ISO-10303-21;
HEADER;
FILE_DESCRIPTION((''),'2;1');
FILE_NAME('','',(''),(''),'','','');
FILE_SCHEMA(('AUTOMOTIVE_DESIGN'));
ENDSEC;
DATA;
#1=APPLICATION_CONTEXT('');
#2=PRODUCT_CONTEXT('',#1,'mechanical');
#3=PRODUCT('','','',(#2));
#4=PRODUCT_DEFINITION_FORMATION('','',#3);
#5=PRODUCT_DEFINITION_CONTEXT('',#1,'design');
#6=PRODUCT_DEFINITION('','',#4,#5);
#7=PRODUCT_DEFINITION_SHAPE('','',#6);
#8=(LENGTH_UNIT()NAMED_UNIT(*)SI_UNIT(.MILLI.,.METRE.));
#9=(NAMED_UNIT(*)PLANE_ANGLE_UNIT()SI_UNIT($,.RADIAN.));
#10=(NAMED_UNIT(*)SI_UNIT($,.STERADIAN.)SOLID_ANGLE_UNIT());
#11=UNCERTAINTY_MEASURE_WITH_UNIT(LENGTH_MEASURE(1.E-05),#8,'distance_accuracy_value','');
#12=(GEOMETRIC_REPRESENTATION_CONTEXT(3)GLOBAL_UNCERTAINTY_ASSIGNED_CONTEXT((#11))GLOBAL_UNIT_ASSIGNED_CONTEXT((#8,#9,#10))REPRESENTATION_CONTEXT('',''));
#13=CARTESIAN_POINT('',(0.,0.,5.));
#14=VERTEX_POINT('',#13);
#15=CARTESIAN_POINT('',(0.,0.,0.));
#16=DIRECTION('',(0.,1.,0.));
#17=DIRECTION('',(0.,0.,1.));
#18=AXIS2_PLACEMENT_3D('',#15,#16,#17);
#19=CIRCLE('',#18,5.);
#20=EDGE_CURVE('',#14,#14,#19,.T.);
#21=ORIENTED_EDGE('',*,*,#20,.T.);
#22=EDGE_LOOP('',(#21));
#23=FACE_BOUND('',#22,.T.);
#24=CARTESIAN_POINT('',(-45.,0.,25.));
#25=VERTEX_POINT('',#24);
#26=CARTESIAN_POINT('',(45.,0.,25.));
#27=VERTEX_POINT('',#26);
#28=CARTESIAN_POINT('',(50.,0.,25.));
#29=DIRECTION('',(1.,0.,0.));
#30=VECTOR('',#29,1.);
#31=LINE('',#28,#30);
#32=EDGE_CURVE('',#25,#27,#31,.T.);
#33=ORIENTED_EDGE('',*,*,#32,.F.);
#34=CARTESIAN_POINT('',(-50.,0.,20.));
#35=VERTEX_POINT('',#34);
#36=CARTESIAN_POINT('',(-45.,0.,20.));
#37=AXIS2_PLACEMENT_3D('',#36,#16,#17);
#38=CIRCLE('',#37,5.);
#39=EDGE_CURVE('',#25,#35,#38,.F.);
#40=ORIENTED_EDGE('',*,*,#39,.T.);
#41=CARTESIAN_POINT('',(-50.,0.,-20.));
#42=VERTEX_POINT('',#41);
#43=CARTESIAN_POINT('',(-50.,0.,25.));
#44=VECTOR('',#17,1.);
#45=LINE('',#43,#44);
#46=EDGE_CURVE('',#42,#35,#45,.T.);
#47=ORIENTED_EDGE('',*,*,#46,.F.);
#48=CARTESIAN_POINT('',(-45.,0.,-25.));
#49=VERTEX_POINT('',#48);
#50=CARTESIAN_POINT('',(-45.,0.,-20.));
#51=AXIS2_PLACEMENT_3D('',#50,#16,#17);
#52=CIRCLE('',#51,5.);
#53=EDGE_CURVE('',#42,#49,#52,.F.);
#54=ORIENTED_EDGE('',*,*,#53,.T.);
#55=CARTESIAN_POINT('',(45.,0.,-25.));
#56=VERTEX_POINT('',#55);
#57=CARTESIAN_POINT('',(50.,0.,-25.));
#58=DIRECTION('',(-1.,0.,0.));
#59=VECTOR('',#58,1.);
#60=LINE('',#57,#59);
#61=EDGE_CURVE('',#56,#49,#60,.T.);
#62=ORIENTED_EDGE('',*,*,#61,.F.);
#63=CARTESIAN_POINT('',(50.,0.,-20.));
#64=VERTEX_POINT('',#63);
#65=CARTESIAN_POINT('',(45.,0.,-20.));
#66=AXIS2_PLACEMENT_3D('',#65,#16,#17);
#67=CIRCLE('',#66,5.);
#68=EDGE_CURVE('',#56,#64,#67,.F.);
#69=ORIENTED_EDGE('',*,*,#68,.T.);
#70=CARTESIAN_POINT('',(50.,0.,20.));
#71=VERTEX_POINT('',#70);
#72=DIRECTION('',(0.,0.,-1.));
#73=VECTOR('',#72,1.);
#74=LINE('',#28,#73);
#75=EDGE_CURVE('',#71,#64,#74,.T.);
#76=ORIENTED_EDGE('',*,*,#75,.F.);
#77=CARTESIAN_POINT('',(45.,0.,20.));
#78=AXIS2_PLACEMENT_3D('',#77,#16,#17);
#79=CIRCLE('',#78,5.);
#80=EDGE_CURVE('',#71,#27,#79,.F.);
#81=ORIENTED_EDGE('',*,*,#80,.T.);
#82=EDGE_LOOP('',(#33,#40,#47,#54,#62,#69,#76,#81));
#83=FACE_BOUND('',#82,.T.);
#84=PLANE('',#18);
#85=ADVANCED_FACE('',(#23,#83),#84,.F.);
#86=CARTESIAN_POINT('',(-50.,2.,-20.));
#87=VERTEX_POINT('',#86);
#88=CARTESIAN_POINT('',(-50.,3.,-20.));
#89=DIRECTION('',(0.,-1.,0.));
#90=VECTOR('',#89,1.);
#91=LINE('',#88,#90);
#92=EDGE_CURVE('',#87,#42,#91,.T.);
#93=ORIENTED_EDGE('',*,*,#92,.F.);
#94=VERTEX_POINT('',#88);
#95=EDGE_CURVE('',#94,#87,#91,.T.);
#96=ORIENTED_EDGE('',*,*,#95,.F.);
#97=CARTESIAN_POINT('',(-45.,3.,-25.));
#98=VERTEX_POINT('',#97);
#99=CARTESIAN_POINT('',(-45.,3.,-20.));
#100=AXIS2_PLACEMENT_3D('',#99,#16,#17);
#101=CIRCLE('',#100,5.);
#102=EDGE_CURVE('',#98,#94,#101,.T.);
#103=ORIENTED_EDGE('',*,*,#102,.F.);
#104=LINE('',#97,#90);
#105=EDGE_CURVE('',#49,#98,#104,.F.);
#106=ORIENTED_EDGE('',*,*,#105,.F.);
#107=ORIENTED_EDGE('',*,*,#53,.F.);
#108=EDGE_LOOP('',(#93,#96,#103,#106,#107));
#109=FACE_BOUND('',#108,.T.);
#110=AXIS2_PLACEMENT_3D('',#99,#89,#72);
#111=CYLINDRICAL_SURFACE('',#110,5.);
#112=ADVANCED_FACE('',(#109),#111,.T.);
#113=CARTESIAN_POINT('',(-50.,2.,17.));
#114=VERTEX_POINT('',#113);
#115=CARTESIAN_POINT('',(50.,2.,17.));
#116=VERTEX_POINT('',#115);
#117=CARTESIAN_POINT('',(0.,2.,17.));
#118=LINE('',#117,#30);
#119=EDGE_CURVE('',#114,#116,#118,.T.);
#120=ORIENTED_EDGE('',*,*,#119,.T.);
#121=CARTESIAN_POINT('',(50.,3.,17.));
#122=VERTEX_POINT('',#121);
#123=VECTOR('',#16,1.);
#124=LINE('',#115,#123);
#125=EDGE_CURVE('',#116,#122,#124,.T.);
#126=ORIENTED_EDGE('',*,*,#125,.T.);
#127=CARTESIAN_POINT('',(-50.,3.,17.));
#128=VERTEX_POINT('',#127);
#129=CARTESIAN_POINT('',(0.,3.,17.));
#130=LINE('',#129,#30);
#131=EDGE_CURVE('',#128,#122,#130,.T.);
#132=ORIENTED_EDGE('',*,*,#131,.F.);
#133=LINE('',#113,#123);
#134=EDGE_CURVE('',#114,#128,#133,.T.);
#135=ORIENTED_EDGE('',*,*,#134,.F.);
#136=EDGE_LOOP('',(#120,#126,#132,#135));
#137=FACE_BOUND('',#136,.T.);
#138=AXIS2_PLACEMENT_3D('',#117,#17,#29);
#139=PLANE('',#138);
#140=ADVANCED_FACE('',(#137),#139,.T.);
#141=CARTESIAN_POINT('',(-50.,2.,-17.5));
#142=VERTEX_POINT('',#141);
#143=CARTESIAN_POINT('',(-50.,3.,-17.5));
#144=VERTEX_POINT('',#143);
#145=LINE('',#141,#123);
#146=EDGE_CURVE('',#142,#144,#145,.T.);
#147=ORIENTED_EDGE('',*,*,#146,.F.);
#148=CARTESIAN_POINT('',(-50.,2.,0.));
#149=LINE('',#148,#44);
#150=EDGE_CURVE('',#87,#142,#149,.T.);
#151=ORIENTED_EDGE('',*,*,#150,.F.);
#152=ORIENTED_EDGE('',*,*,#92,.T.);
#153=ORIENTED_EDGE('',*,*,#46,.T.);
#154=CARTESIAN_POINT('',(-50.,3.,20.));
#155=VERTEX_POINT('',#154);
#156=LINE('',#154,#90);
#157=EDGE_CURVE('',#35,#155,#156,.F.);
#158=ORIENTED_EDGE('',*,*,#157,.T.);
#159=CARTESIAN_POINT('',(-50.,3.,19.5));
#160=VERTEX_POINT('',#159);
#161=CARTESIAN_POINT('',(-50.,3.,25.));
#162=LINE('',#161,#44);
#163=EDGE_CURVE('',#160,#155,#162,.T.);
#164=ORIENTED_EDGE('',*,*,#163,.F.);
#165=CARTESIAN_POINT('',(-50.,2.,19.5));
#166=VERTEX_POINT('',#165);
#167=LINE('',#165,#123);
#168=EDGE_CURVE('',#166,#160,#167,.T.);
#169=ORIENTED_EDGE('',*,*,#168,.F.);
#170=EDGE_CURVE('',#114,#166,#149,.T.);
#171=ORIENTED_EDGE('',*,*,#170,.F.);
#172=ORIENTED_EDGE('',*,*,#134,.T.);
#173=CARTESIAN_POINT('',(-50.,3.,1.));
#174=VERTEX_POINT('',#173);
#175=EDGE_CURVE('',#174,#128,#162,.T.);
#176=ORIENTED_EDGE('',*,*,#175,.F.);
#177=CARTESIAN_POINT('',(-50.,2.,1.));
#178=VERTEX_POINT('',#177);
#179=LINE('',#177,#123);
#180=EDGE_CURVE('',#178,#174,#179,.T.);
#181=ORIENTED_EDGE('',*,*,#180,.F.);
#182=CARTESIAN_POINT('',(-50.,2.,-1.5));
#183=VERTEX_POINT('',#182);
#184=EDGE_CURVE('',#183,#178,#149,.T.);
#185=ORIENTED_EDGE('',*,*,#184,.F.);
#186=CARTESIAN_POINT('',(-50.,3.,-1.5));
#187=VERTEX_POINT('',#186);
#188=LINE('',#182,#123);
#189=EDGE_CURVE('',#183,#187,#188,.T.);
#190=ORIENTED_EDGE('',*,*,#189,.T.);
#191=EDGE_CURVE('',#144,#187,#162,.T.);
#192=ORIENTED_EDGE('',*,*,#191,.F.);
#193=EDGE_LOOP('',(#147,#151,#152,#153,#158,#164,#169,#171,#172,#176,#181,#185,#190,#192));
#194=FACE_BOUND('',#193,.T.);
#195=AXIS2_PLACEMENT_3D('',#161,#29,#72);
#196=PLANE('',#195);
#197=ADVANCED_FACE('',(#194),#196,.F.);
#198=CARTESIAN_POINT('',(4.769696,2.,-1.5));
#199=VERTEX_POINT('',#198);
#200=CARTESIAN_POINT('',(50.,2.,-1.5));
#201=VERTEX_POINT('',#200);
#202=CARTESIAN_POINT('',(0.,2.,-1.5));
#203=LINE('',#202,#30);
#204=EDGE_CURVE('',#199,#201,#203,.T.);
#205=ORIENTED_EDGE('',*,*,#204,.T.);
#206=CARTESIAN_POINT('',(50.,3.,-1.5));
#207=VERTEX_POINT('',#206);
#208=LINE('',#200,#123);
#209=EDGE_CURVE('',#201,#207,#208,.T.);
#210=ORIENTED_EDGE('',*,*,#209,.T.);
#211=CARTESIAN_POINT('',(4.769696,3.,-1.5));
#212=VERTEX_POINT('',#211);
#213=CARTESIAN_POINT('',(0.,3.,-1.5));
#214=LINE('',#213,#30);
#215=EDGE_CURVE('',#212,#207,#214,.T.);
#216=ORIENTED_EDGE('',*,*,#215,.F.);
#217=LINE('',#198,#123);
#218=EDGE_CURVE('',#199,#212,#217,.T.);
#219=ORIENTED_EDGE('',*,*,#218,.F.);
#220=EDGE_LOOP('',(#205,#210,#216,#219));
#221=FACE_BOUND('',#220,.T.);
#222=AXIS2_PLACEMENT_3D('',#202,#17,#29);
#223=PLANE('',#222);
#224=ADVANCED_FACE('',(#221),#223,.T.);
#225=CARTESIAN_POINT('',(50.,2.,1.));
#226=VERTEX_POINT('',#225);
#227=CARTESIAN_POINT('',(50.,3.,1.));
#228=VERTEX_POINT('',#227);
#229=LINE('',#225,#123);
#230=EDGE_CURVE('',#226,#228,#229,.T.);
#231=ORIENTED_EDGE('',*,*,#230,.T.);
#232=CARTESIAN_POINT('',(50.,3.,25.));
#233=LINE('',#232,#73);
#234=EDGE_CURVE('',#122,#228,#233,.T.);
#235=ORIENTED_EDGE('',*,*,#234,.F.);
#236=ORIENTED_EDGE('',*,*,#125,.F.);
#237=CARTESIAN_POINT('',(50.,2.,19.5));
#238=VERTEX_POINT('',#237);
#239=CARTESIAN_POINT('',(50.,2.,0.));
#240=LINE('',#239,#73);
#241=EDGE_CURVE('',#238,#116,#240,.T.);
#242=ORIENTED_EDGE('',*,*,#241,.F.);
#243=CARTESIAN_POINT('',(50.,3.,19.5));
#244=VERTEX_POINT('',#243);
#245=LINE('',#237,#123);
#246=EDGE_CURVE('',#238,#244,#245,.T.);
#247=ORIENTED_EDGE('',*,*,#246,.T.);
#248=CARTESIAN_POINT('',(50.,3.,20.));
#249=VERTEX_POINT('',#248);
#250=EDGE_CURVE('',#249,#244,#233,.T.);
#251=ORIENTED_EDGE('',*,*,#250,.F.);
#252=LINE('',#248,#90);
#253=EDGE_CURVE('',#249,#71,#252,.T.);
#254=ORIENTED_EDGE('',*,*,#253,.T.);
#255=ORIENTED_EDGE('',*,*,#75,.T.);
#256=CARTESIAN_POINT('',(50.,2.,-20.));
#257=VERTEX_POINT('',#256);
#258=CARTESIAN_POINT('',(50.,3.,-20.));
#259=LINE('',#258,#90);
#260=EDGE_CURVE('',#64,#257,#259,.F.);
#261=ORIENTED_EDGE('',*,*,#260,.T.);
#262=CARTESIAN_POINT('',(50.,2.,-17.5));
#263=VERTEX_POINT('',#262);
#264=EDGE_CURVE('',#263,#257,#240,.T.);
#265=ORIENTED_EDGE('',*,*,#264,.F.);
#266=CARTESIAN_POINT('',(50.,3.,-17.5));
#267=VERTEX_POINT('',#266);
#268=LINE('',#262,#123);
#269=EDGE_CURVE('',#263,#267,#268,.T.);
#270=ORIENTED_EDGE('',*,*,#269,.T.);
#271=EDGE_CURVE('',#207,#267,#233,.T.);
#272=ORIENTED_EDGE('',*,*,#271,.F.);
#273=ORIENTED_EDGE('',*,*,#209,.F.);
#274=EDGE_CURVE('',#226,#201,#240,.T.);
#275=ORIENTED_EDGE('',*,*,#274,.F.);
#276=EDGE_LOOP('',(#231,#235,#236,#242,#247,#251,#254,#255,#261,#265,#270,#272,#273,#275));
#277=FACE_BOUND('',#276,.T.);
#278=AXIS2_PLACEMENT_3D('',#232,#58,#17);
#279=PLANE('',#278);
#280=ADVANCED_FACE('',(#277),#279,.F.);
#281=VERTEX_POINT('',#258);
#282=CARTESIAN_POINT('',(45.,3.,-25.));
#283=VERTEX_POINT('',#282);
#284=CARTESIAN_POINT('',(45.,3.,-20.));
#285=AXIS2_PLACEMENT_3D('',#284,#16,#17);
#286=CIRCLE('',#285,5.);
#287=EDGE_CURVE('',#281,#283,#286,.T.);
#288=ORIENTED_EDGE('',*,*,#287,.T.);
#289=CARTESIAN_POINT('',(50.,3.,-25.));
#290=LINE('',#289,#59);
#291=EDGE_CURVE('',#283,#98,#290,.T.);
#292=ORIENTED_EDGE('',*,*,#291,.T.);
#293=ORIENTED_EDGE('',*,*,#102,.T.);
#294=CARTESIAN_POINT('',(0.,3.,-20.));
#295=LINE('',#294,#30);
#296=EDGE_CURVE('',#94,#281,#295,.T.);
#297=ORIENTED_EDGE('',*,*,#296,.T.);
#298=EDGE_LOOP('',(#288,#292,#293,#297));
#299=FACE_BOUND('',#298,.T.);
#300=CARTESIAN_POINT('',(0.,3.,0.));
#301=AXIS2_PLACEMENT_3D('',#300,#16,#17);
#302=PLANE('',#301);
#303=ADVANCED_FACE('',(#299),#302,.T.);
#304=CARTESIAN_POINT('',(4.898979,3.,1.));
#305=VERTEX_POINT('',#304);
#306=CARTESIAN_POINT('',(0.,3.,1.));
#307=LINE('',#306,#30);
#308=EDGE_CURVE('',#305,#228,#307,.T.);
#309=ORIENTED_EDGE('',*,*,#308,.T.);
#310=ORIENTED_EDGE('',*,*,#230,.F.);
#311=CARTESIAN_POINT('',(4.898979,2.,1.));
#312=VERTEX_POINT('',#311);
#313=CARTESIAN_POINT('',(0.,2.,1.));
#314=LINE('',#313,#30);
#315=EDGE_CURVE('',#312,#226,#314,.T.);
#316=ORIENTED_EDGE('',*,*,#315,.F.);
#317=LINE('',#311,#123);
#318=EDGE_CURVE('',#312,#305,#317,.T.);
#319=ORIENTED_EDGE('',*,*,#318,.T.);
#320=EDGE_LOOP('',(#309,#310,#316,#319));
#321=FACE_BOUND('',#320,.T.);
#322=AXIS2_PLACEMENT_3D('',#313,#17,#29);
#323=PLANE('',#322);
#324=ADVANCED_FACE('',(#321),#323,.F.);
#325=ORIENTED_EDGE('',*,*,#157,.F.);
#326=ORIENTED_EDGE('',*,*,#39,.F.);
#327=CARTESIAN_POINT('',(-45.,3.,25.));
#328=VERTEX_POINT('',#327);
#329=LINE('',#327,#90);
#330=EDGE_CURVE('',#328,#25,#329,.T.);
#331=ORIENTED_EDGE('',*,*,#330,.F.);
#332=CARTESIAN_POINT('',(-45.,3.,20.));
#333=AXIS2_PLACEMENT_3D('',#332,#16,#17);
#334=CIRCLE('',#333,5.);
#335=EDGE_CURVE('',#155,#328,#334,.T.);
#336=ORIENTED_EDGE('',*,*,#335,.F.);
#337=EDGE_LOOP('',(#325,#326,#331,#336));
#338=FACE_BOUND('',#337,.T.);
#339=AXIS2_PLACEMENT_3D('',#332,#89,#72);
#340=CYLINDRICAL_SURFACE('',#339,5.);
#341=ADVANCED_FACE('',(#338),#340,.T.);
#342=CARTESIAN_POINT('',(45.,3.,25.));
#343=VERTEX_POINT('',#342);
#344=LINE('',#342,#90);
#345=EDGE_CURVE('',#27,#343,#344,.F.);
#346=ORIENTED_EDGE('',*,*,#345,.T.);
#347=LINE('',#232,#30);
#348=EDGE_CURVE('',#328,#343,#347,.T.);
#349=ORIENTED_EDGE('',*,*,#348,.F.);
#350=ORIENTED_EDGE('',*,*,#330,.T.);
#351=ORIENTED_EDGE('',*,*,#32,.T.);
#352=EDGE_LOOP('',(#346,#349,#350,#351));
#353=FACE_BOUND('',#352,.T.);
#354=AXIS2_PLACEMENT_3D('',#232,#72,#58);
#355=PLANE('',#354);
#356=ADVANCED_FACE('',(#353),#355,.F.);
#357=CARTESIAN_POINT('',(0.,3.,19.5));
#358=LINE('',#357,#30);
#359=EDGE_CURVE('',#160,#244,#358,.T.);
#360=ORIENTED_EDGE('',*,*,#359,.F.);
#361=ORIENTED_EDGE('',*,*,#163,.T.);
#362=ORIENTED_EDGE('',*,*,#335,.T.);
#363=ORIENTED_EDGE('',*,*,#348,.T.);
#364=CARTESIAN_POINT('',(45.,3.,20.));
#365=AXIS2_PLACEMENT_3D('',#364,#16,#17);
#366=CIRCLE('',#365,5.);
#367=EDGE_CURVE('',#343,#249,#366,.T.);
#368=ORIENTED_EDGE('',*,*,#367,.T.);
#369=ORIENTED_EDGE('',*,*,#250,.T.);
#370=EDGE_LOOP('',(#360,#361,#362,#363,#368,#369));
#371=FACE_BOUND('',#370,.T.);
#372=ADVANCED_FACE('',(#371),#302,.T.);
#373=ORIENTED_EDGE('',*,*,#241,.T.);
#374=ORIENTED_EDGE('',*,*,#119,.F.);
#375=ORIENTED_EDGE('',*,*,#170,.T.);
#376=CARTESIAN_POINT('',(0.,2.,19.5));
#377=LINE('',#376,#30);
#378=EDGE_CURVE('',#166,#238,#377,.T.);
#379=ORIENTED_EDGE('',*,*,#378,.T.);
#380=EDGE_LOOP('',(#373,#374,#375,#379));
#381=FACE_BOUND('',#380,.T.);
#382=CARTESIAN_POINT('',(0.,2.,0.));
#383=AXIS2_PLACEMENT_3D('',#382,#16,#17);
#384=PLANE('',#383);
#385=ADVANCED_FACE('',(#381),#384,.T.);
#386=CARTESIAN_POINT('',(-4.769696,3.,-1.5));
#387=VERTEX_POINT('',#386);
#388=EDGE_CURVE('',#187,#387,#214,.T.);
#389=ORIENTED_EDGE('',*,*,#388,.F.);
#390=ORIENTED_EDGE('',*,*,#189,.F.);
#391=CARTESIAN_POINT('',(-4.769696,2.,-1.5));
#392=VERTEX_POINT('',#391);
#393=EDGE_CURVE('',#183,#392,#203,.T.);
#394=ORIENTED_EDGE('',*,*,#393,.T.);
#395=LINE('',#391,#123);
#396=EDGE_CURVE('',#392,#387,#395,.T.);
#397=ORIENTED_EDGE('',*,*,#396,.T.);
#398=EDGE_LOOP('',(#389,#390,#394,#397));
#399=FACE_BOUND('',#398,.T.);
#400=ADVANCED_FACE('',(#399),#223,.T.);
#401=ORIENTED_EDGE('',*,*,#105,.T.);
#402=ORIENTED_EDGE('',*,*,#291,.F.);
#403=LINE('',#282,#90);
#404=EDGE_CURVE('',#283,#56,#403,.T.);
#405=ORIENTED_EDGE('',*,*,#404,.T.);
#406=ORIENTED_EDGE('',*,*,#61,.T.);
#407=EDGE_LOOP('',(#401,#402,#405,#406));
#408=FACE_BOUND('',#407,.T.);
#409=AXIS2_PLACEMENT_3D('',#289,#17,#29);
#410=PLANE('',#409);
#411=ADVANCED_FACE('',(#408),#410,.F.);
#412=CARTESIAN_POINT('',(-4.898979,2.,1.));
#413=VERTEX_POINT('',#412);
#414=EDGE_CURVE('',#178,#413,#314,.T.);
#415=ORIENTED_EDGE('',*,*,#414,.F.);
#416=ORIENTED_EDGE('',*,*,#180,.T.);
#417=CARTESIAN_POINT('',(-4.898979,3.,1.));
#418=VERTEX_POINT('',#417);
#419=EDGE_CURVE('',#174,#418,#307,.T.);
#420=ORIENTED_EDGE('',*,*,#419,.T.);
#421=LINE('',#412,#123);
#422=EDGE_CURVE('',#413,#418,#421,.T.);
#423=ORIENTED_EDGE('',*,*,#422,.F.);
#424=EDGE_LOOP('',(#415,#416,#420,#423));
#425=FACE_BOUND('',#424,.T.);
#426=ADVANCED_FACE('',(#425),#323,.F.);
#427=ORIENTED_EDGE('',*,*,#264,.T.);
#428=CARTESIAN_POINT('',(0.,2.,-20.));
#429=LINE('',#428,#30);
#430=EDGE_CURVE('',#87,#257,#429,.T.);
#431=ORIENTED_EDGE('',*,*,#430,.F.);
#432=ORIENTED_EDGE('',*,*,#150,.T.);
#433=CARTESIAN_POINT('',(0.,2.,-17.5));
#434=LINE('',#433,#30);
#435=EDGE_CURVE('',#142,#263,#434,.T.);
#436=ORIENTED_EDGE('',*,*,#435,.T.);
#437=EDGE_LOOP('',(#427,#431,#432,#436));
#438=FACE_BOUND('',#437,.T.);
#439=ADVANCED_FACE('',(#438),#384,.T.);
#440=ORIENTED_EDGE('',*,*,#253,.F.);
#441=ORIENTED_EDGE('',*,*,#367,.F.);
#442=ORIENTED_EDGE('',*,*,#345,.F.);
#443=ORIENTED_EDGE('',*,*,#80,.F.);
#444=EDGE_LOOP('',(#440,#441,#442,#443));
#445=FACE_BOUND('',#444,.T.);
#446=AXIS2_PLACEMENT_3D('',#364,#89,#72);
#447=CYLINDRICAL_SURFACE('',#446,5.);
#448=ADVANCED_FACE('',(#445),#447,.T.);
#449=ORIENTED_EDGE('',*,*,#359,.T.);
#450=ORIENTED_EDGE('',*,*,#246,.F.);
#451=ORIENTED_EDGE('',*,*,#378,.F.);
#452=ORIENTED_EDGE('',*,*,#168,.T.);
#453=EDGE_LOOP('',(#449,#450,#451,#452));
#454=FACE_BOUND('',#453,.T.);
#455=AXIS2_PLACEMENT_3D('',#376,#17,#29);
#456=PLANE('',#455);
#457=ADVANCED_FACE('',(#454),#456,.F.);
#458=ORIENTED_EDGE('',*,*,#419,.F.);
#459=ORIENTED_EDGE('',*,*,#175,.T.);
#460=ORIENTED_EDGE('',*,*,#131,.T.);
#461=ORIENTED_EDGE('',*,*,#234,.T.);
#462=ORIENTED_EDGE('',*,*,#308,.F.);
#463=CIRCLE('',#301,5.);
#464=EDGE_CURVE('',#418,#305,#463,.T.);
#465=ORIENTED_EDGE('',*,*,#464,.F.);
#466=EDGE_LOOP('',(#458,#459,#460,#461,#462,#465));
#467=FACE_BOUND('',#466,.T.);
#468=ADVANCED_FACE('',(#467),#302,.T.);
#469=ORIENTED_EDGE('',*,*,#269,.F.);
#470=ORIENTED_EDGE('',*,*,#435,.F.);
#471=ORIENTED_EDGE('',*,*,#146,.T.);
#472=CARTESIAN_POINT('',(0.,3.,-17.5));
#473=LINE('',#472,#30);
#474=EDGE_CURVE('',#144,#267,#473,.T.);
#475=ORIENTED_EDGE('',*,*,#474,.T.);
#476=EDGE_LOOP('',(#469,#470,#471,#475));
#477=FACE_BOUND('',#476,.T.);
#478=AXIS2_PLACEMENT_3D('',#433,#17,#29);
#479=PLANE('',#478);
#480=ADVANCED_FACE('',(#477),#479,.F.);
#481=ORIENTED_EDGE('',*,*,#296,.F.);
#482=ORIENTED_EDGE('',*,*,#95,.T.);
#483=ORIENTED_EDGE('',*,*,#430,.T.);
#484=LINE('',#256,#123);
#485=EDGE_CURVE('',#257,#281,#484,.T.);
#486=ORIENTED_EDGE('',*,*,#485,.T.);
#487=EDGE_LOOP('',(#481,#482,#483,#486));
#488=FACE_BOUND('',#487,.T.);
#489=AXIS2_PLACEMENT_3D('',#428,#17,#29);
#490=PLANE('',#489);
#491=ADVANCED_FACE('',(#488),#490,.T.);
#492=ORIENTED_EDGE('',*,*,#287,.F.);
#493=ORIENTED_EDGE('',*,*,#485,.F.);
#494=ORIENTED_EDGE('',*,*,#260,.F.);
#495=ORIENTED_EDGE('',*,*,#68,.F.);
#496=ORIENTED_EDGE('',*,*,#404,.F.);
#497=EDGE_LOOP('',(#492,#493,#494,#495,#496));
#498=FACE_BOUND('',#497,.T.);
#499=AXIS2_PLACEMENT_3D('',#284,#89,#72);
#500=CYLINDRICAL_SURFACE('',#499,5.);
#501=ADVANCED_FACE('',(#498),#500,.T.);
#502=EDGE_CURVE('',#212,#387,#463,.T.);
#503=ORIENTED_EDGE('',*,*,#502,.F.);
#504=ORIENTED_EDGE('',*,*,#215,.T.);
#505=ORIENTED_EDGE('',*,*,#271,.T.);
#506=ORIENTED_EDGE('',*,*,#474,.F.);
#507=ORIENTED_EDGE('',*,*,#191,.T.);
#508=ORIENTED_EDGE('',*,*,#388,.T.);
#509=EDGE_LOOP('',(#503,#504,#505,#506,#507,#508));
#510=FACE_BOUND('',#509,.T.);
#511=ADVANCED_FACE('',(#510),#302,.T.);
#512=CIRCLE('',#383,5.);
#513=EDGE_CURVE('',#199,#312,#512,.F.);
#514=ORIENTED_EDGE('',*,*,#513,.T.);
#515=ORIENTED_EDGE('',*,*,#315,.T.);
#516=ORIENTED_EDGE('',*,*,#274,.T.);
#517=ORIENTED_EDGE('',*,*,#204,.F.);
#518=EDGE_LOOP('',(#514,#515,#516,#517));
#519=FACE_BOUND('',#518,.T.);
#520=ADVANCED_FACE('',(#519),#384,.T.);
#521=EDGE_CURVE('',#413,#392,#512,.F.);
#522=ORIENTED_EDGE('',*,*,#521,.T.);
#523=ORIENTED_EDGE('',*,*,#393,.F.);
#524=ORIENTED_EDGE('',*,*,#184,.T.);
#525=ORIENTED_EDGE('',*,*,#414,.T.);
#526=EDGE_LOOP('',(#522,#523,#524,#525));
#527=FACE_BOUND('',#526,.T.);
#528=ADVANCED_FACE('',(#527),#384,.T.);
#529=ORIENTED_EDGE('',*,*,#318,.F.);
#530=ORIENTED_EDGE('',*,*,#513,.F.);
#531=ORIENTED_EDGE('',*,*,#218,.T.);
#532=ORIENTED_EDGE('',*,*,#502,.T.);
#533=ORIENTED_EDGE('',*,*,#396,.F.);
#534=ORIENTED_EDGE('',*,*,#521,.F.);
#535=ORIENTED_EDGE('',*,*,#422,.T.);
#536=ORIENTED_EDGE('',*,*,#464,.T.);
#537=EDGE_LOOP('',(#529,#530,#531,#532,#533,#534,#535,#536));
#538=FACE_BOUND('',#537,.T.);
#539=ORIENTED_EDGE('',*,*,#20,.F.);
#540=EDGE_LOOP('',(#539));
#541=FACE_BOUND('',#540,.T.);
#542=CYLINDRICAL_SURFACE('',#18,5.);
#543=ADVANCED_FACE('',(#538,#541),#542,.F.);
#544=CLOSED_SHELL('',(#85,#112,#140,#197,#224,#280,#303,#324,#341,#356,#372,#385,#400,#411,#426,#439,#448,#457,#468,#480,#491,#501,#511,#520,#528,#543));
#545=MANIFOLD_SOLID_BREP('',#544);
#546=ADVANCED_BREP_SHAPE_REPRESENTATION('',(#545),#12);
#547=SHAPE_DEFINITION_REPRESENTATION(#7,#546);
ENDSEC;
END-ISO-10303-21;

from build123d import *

# Parameters (mm, degrees)
SKETCH1_W           = 100
SKETCH1_H           = 50
BOSS_EXTRUDE1_DEPTH = 3
FILLET1_R           = 5
SKETCH2_R           = 5
CUT_EXTRUDE1_DEPTH  = 3
SKETCH4_W           = 100
SKETCH4_H           = 2.5
CUT_EXTRUDE2_DEPTH  = 1


with BuildPart() as part:
    # Sketch1 → Boss-Extrude1 (new body)
    with BuildSketch(Plane(origin=(0, 0, 0), x_dir=(1, 0, 0), z_dir=(0, 1, 0))):
        Rectangle(SKETCH1_W, SKETCH1_H)
    extrude(amount=BOSS_EXTRUDE1_DEPTH)

    # Fillet1
    fillet1_edges = [part.edges().sort_by_distance(p)[0] for p in [
        (-50, 1.5, -25),
        (50, 1.5, -25),
        (50, 1.5, 25),
        (-50, 1.5, 25),
    ]]
    fillet(fillet1_edges, radius=FILLET1_R)

    # Sketch2 → Cut-Extrude1 (cut)
    with BuildSketch(Plane(origin=(0, 3, 0), x_dir=(1, 0, 0), z_dir=(0, 1, 0))):
        with Locations(Location((0, 0, 0), (0, 0, 270))):
            Circle(SKETCH2_R)
    extrude(amount=-CUT_EXTRUDE1_DEPTH, mode=Mode.SUBTRACT)

    # Sketch4 → Cut-Extrude2 (cut)
    with BuildSketch(Plane(origin=(0, 3, 0), x_dir=(1, 0, 0), z_dir=(0, 1, 0))):
        with Locations((0, 18.75)):
            Rectangle(SKETCH4_W, SKETCH4_H)
        with BuildLine():
            Line((-4.769696007, 1.5), (-50, 1.5))
            Line((-50, 1.5), (-50, -1))
            Line((-50, -1), (-4.898979486, -1))
            ThreePointArc((-4.898979486, -1), (-4.993327693, 0.258221909), (-4.769696007, 1.5))
        make_face()
        with BuildLine():
            Line((50, -1), (50, 1.5))
            Line((50, 1.5), (4.769696007, 1.5))
            ThreePointArc((4.769696007, 1.5), (4.942088629, 0.758788496), (5, 0))
            ThreePointArc((5, 0), (4.974680765, -0.50254481), (4.898979486, -1))
            Line((4.898979486, -1), (50, -1))
        make_face()
        with Locations((0, -18.25)):
            Rectangle(SKETCH4_W, SKETCH4_H)
    extrude(amount=-CUT_EXTRUDE2_DEPTH, mode=Mode.SUBTRACT)


solid = part.part
